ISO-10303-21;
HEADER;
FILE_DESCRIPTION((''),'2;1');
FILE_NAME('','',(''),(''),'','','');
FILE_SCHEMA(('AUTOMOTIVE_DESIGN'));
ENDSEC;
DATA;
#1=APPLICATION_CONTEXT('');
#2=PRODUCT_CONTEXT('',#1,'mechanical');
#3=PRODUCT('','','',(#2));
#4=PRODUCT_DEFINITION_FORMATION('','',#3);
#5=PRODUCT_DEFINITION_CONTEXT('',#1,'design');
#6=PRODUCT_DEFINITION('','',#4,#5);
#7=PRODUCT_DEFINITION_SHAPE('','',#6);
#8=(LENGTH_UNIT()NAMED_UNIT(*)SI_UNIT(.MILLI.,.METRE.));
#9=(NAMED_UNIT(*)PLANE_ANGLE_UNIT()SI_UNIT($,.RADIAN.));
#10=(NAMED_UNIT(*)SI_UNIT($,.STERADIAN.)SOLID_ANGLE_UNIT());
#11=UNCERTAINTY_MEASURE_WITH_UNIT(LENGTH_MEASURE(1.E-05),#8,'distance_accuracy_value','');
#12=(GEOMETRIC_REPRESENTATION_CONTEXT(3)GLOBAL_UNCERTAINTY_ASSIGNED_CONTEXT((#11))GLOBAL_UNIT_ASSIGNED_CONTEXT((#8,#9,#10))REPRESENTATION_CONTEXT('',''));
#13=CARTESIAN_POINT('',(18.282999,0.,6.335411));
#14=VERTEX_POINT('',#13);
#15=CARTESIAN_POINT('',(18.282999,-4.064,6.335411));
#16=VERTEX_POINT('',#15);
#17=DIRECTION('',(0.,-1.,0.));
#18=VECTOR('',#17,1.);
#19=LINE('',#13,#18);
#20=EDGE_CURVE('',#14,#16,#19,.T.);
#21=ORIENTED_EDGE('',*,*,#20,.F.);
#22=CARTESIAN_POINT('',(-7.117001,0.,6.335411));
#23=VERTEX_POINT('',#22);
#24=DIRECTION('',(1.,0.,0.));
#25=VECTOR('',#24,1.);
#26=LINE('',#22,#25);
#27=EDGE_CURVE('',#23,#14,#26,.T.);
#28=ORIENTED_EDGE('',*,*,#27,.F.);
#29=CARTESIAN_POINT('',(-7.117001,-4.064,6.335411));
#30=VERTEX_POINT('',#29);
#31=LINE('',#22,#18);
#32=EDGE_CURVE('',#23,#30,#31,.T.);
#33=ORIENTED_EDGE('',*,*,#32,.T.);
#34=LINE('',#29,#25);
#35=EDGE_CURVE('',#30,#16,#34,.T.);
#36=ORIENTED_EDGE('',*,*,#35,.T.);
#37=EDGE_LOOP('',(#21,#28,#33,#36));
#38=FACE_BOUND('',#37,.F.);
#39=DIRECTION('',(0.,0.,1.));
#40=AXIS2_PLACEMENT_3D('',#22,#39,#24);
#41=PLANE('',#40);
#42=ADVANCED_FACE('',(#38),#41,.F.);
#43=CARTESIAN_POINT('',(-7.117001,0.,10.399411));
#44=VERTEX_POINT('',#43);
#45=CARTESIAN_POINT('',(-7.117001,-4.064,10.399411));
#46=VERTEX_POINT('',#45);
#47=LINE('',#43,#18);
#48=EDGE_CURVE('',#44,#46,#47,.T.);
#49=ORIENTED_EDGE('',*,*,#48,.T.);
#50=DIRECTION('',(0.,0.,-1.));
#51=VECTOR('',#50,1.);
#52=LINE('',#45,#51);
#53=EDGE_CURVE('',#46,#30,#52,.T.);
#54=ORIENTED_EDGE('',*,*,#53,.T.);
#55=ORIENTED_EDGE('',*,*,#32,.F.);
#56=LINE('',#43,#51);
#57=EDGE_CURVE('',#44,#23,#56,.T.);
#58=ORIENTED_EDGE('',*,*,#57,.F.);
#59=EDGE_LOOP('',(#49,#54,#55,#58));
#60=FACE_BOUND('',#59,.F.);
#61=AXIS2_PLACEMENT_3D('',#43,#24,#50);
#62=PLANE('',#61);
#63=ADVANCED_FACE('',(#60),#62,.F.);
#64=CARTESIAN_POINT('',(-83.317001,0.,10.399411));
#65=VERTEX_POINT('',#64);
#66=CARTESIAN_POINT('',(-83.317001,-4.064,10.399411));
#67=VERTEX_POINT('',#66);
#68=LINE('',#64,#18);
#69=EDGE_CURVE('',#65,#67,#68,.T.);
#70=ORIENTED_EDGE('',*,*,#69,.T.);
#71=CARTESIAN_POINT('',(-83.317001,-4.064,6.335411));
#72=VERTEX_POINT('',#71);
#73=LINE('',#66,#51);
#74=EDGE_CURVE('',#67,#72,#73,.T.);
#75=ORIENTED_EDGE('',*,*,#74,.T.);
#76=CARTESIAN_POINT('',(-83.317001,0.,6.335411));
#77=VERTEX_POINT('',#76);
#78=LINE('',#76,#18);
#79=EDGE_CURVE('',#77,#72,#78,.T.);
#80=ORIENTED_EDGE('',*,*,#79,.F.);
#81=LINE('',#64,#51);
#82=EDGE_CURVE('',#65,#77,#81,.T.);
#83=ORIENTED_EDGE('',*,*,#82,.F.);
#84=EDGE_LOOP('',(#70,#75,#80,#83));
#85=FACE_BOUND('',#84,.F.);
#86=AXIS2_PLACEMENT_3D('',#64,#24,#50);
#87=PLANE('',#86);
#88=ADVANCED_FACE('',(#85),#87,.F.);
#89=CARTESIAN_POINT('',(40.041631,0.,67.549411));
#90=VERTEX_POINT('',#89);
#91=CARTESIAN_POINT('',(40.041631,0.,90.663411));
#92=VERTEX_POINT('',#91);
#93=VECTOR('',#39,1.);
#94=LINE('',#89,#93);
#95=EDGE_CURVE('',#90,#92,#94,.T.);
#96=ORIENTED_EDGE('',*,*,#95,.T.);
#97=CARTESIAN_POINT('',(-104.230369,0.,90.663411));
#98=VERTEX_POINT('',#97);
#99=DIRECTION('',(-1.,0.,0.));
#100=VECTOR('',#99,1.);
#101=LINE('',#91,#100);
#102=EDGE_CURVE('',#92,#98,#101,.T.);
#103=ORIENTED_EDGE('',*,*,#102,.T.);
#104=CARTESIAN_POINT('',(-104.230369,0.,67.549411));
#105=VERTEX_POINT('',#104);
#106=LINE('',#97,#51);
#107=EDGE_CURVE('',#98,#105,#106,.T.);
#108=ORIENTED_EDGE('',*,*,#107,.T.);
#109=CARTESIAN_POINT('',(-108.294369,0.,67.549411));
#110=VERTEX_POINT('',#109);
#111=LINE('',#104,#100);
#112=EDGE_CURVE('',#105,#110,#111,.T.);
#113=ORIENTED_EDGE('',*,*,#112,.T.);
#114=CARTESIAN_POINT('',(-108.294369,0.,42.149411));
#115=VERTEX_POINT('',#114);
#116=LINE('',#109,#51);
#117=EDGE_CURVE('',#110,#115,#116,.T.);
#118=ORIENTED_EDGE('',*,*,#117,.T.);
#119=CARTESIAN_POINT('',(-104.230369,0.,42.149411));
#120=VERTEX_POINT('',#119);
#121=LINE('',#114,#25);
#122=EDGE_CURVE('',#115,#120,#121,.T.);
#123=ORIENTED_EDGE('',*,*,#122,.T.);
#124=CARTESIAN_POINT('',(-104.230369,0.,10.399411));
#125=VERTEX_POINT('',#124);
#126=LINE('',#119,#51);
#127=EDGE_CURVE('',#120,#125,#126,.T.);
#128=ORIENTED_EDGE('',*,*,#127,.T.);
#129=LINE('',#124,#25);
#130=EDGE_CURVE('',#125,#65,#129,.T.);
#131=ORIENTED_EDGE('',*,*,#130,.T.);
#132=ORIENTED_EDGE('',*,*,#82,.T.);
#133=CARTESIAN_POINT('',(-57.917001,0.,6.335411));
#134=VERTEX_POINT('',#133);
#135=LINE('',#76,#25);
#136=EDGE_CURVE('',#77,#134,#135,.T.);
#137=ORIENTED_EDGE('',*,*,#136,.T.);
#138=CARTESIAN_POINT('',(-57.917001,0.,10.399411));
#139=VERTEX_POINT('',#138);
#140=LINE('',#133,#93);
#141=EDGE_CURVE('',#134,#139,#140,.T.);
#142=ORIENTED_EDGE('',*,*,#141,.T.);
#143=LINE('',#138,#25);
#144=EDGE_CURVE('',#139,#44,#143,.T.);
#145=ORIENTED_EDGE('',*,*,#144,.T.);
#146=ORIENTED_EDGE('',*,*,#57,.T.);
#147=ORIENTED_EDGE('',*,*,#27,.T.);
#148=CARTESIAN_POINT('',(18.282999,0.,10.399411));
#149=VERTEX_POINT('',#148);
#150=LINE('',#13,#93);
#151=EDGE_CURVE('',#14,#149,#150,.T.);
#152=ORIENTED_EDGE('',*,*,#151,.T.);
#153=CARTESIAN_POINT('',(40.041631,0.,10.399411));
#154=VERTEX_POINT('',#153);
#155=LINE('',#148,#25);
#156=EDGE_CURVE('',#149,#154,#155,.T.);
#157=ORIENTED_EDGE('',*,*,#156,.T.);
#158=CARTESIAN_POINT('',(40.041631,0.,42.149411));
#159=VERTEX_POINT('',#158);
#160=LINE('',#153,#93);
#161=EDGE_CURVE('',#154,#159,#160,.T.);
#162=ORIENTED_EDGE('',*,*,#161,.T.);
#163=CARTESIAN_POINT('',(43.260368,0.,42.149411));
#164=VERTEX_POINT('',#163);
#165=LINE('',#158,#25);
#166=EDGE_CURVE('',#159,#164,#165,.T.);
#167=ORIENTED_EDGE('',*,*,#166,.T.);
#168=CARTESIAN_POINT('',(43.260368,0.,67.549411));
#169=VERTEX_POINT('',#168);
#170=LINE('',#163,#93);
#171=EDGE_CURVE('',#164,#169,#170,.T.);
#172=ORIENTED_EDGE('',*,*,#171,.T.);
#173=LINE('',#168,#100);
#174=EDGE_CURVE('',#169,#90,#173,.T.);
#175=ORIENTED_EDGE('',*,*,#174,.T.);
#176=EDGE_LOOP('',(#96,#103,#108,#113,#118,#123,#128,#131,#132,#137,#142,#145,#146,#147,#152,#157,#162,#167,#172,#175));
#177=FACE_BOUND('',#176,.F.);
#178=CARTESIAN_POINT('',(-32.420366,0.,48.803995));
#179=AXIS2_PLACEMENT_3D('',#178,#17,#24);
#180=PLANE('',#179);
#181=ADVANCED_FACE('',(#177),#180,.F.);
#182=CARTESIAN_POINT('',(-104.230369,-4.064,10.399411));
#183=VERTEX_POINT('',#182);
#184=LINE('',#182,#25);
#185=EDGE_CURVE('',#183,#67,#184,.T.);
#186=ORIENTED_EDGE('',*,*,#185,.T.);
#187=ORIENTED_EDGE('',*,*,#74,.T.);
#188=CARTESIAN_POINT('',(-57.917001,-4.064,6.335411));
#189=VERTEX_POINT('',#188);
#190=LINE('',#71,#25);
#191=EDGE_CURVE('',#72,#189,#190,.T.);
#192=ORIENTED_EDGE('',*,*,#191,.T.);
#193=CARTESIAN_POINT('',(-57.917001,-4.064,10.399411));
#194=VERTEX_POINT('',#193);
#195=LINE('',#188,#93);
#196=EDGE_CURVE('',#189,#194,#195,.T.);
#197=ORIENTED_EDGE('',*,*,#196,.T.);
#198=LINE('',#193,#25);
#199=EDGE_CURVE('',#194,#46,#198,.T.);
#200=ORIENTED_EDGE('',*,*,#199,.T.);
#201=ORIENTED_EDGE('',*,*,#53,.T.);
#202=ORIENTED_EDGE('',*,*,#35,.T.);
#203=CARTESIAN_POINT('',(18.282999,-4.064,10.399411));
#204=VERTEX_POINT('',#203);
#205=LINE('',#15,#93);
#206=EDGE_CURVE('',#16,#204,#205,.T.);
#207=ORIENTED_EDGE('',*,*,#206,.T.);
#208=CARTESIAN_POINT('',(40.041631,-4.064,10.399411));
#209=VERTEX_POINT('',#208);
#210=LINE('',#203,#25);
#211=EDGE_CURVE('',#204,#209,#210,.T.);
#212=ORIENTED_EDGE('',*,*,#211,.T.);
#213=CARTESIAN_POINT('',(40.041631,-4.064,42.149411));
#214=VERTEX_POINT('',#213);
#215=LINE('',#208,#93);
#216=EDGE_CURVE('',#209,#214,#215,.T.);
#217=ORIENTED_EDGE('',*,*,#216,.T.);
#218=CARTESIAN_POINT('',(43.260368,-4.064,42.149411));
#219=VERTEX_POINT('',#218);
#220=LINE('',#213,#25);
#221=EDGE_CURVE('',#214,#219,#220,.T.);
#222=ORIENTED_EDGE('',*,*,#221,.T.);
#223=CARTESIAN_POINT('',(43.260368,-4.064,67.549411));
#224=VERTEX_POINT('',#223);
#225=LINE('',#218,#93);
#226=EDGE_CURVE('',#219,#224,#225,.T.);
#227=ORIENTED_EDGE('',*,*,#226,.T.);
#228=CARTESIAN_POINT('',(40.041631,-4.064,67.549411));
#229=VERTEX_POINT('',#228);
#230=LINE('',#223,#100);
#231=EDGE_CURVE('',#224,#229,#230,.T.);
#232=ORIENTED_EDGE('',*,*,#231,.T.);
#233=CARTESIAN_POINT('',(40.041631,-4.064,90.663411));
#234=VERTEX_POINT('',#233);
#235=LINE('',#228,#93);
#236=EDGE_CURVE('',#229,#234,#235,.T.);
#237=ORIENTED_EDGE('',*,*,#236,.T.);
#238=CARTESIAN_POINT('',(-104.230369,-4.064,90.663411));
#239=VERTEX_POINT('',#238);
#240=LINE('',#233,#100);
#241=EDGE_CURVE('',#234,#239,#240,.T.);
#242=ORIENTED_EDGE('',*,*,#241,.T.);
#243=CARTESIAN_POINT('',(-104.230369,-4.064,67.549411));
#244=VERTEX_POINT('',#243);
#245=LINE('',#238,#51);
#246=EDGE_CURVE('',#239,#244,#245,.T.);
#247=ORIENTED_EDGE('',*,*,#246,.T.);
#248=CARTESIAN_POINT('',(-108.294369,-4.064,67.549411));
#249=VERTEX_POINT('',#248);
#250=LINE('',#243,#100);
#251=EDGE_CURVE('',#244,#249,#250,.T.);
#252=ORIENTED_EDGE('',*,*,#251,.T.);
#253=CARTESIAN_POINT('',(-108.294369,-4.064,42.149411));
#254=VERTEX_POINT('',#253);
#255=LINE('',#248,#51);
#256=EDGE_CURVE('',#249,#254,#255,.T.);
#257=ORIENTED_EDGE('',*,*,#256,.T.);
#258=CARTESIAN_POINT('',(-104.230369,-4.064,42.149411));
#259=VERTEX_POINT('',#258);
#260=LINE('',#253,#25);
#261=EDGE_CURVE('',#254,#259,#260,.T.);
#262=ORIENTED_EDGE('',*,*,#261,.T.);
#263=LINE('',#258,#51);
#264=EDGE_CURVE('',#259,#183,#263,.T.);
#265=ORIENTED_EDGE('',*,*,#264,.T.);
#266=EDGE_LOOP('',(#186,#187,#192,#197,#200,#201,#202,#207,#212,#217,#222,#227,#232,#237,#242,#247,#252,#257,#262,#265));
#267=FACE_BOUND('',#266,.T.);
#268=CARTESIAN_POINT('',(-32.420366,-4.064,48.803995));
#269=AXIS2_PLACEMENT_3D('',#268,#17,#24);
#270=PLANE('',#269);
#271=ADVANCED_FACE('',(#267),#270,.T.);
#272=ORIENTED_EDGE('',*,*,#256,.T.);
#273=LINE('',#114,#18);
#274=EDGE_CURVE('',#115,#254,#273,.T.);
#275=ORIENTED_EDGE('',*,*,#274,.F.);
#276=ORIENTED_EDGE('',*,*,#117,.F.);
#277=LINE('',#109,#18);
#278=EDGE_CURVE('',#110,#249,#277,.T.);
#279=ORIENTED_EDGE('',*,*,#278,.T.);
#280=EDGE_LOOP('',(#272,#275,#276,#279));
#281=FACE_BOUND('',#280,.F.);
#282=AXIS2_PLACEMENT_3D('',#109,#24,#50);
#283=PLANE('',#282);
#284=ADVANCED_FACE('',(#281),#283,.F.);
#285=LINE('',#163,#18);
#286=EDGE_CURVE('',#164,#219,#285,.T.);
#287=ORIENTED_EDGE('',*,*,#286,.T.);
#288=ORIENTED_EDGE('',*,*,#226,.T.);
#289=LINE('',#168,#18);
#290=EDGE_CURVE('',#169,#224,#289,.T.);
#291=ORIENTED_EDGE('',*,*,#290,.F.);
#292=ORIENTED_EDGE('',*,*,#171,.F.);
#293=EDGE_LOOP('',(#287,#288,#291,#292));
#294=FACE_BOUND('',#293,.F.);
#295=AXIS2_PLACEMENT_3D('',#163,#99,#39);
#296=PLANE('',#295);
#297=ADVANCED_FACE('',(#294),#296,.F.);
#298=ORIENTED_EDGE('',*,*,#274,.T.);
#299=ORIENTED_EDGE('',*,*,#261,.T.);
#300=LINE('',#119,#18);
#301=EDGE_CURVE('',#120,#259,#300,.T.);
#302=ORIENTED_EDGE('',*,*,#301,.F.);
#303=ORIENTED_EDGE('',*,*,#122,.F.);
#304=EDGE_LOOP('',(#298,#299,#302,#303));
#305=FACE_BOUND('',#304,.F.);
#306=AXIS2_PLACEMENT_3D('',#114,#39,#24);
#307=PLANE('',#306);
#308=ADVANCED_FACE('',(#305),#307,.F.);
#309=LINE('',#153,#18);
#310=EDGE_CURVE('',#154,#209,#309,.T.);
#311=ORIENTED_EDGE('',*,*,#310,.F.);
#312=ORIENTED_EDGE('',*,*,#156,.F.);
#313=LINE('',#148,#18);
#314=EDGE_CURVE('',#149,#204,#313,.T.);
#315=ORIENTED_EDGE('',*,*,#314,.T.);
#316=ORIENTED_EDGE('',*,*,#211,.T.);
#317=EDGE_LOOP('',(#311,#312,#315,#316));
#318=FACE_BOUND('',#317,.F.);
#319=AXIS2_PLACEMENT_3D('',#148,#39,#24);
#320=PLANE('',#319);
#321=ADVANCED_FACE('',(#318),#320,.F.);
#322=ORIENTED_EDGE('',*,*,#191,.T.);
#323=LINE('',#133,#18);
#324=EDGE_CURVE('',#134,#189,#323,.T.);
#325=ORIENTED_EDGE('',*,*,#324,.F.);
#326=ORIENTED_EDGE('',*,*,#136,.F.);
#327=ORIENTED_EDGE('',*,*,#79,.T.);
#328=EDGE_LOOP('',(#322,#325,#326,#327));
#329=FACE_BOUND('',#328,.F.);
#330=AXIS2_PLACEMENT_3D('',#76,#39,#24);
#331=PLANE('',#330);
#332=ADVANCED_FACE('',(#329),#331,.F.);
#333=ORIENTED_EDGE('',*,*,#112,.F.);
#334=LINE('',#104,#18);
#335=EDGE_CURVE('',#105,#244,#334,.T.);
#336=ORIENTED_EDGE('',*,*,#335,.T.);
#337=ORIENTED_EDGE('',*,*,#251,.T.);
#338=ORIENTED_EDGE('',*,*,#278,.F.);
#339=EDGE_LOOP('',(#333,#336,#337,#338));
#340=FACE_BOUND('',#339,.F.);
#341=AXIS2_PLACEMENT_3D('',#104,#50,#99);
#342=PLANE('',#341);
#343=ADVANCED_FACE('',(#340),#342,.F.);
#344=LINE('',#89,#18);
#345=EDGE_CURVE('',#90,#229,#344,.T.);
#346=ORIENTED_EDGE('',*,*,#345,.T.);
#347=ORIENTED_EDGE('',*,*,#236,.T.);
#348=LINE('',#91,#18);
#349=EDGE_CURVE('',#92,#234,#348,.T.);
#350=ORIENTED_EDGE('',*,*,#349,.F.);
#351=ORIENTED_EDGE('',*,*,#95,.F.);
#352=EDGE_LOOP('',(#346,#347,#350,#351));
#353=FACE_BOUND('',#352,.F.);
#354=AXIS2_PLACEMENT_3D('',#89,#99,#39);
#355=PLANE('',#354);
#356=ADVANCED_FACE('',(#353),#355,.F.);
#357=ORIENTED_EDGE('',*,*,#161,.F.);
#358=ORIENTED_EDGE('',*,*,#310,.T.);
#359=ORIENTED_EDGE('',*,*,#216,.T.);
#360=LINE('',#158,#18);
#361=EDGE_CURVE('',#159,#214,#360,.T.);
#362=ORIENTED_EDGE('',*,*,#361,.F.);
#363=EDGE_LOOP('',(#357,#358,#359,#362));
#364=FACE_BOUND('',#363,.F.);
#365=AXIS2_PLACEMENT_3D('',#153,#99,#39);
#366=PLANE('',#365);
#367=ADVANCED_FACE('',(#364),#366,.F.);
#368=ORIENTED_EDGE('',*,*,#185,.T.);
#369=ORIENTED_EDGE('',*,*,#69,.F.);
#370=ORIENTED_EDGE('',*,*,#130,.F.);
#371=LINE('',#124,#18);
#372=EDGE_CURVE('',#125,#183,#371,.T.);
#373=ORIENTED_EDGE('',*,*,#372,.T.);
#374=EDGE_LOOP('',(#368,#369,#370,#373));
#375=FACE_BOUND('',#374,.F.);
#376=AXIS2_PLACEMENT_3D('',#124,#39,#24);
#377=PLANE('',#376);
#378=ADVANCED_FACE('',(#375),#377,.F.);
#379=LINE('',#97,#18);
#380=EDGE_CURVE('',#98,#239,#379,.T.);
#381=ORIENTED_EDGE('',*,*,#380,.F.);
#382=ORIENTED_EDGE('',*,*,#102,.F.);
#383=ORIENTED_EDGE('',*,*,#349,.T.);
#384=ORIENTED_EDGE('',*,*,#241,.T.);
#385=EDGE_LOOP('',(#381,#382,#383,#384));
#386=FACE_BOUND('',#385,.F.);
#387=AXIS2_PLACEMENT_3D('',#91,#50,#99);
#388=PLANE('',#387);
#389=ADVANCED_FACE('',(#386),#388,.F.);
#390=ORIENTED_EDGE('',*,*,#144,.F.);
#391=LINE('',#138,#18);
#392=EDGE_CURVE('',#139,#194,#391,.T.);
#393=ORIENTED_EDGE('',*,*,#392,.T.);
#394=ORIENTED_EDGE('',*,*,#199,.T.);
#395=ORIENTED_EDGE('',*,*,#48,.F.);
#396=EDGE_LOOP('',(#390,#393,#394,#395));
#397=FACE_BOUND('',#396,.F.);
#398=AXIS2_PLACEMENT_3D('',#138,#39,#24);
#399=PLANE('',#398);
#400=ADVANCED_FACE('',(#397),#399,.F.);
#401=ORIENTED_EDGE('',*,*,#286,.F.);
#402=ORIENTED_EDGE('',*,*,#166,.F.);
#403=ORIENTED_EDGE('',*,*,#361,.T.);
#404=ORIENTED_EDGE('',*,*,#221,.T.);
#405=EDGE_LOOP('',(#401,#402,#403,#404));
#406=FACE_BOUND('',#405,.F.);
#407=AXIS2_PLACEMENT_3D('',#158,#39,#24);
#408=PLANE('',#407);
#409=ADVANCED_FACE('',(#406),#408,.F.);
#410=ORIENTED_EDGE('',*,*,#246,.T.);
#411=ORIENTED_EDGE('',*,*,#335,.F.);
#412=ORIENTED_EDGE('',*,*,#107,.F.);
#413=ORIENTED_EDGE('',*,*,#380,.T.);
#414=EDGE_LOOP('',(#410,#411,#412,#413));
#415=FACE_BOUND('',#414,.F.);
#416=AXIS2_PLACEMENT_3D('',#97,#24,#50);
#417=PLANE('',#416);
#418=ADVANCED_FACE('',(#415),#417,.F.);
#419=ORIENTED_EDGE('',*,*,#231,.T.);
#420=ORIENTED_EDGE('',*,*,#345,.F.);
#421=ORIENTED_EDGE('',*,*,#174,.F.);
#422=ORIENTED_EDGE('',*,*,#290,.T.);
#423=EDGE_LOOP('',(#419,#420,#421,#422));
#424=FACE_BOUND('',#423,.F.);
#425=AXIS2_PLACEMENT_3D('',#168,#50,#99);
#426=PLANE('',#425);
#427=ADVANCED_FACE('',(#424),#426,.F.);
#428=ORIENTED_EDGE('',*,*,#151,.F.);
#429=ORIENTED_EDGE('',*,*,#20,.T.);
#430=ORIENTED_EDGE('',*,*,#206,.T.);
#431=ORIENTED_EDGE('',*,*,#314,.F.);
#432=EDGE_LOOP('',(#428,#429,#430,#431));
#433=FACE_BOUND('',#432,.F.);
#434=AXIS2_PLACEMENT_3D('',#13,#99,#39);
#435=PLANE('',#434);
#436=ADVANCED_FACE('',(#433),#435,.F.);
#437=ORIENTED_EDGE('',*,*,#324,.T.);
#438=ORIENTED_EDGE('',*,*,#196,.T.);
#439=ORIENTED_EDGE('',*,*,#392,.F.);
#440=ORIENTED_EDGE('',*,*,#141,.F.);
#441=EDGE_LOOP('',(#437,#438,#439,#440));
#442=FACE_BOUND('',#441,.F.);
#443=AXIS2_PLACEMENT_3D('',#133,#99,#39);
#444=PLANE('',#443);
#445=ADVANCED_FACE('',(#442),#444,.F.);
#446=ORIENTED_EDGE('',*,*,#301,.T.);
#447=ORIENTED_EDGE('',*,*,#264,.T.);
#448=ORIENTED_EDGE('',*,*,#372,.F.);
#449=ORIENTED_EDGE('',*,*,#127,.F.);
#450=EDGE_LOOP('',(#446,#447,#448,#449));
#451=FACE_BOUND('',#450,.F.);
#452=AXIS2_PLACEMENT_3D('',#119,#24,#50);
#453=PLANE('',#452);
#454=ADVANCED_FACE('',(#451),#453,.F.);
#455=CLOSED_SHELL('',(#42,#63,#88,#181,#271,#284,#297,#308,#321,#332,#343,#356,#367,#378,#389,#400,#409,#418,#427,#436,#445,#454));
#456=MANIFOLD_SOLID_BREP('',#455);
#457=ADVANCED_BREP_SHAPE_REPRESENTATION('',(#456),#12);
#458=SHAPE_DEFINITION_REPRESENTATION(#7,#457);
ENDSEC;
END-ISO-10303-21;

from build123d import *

# Parameters (mm, degrees)
F1_DEPTH = 4.064


with BuildPart() as f1:
    # F0 (on Front) → F1 (new body)
    with BuildSketch(Plane.XZ):
        Polygon((-104.230369, 34.021411), (-104.230369, 10.399411), (-83.317001, 10.399411), (-83.317001, 6.335411), (-57.917001, 6.335411), (-57.917001, 10.399411), (-51.567001, 10.399411), (-13.467001, 10.399411), (-13.044369, 10.399411), (-7.117001, 10.399411), (-7.117001, 6.335411), (18.282999, 6.335411), (18.282999, 10.399411), (40.041631, 10.399411), (40.041631, 34.021411), (40.041631, 42.149411), (43.260368, 42.149411), (43.260368, 67.549411), (40.041631, 67.549411), (40.041631, 86.599411), (40.041631, 90.663411), (18.282999, 90.663411), (-7.117001, 90.663411), (-57.917001, 90.663411), (-83.317001, 90.663411), (-104.230369, 90.663411), (-104.230369, 86.599411), (-104.230369, 67.549411), (-108.294369, 67.549411), (-108.294369, 64.219405), (-108.294369, 42.149411), (-104.230369, 42.149411), align=None)
    extrude(amount=F1_DEPTH)


solid = f1.part
